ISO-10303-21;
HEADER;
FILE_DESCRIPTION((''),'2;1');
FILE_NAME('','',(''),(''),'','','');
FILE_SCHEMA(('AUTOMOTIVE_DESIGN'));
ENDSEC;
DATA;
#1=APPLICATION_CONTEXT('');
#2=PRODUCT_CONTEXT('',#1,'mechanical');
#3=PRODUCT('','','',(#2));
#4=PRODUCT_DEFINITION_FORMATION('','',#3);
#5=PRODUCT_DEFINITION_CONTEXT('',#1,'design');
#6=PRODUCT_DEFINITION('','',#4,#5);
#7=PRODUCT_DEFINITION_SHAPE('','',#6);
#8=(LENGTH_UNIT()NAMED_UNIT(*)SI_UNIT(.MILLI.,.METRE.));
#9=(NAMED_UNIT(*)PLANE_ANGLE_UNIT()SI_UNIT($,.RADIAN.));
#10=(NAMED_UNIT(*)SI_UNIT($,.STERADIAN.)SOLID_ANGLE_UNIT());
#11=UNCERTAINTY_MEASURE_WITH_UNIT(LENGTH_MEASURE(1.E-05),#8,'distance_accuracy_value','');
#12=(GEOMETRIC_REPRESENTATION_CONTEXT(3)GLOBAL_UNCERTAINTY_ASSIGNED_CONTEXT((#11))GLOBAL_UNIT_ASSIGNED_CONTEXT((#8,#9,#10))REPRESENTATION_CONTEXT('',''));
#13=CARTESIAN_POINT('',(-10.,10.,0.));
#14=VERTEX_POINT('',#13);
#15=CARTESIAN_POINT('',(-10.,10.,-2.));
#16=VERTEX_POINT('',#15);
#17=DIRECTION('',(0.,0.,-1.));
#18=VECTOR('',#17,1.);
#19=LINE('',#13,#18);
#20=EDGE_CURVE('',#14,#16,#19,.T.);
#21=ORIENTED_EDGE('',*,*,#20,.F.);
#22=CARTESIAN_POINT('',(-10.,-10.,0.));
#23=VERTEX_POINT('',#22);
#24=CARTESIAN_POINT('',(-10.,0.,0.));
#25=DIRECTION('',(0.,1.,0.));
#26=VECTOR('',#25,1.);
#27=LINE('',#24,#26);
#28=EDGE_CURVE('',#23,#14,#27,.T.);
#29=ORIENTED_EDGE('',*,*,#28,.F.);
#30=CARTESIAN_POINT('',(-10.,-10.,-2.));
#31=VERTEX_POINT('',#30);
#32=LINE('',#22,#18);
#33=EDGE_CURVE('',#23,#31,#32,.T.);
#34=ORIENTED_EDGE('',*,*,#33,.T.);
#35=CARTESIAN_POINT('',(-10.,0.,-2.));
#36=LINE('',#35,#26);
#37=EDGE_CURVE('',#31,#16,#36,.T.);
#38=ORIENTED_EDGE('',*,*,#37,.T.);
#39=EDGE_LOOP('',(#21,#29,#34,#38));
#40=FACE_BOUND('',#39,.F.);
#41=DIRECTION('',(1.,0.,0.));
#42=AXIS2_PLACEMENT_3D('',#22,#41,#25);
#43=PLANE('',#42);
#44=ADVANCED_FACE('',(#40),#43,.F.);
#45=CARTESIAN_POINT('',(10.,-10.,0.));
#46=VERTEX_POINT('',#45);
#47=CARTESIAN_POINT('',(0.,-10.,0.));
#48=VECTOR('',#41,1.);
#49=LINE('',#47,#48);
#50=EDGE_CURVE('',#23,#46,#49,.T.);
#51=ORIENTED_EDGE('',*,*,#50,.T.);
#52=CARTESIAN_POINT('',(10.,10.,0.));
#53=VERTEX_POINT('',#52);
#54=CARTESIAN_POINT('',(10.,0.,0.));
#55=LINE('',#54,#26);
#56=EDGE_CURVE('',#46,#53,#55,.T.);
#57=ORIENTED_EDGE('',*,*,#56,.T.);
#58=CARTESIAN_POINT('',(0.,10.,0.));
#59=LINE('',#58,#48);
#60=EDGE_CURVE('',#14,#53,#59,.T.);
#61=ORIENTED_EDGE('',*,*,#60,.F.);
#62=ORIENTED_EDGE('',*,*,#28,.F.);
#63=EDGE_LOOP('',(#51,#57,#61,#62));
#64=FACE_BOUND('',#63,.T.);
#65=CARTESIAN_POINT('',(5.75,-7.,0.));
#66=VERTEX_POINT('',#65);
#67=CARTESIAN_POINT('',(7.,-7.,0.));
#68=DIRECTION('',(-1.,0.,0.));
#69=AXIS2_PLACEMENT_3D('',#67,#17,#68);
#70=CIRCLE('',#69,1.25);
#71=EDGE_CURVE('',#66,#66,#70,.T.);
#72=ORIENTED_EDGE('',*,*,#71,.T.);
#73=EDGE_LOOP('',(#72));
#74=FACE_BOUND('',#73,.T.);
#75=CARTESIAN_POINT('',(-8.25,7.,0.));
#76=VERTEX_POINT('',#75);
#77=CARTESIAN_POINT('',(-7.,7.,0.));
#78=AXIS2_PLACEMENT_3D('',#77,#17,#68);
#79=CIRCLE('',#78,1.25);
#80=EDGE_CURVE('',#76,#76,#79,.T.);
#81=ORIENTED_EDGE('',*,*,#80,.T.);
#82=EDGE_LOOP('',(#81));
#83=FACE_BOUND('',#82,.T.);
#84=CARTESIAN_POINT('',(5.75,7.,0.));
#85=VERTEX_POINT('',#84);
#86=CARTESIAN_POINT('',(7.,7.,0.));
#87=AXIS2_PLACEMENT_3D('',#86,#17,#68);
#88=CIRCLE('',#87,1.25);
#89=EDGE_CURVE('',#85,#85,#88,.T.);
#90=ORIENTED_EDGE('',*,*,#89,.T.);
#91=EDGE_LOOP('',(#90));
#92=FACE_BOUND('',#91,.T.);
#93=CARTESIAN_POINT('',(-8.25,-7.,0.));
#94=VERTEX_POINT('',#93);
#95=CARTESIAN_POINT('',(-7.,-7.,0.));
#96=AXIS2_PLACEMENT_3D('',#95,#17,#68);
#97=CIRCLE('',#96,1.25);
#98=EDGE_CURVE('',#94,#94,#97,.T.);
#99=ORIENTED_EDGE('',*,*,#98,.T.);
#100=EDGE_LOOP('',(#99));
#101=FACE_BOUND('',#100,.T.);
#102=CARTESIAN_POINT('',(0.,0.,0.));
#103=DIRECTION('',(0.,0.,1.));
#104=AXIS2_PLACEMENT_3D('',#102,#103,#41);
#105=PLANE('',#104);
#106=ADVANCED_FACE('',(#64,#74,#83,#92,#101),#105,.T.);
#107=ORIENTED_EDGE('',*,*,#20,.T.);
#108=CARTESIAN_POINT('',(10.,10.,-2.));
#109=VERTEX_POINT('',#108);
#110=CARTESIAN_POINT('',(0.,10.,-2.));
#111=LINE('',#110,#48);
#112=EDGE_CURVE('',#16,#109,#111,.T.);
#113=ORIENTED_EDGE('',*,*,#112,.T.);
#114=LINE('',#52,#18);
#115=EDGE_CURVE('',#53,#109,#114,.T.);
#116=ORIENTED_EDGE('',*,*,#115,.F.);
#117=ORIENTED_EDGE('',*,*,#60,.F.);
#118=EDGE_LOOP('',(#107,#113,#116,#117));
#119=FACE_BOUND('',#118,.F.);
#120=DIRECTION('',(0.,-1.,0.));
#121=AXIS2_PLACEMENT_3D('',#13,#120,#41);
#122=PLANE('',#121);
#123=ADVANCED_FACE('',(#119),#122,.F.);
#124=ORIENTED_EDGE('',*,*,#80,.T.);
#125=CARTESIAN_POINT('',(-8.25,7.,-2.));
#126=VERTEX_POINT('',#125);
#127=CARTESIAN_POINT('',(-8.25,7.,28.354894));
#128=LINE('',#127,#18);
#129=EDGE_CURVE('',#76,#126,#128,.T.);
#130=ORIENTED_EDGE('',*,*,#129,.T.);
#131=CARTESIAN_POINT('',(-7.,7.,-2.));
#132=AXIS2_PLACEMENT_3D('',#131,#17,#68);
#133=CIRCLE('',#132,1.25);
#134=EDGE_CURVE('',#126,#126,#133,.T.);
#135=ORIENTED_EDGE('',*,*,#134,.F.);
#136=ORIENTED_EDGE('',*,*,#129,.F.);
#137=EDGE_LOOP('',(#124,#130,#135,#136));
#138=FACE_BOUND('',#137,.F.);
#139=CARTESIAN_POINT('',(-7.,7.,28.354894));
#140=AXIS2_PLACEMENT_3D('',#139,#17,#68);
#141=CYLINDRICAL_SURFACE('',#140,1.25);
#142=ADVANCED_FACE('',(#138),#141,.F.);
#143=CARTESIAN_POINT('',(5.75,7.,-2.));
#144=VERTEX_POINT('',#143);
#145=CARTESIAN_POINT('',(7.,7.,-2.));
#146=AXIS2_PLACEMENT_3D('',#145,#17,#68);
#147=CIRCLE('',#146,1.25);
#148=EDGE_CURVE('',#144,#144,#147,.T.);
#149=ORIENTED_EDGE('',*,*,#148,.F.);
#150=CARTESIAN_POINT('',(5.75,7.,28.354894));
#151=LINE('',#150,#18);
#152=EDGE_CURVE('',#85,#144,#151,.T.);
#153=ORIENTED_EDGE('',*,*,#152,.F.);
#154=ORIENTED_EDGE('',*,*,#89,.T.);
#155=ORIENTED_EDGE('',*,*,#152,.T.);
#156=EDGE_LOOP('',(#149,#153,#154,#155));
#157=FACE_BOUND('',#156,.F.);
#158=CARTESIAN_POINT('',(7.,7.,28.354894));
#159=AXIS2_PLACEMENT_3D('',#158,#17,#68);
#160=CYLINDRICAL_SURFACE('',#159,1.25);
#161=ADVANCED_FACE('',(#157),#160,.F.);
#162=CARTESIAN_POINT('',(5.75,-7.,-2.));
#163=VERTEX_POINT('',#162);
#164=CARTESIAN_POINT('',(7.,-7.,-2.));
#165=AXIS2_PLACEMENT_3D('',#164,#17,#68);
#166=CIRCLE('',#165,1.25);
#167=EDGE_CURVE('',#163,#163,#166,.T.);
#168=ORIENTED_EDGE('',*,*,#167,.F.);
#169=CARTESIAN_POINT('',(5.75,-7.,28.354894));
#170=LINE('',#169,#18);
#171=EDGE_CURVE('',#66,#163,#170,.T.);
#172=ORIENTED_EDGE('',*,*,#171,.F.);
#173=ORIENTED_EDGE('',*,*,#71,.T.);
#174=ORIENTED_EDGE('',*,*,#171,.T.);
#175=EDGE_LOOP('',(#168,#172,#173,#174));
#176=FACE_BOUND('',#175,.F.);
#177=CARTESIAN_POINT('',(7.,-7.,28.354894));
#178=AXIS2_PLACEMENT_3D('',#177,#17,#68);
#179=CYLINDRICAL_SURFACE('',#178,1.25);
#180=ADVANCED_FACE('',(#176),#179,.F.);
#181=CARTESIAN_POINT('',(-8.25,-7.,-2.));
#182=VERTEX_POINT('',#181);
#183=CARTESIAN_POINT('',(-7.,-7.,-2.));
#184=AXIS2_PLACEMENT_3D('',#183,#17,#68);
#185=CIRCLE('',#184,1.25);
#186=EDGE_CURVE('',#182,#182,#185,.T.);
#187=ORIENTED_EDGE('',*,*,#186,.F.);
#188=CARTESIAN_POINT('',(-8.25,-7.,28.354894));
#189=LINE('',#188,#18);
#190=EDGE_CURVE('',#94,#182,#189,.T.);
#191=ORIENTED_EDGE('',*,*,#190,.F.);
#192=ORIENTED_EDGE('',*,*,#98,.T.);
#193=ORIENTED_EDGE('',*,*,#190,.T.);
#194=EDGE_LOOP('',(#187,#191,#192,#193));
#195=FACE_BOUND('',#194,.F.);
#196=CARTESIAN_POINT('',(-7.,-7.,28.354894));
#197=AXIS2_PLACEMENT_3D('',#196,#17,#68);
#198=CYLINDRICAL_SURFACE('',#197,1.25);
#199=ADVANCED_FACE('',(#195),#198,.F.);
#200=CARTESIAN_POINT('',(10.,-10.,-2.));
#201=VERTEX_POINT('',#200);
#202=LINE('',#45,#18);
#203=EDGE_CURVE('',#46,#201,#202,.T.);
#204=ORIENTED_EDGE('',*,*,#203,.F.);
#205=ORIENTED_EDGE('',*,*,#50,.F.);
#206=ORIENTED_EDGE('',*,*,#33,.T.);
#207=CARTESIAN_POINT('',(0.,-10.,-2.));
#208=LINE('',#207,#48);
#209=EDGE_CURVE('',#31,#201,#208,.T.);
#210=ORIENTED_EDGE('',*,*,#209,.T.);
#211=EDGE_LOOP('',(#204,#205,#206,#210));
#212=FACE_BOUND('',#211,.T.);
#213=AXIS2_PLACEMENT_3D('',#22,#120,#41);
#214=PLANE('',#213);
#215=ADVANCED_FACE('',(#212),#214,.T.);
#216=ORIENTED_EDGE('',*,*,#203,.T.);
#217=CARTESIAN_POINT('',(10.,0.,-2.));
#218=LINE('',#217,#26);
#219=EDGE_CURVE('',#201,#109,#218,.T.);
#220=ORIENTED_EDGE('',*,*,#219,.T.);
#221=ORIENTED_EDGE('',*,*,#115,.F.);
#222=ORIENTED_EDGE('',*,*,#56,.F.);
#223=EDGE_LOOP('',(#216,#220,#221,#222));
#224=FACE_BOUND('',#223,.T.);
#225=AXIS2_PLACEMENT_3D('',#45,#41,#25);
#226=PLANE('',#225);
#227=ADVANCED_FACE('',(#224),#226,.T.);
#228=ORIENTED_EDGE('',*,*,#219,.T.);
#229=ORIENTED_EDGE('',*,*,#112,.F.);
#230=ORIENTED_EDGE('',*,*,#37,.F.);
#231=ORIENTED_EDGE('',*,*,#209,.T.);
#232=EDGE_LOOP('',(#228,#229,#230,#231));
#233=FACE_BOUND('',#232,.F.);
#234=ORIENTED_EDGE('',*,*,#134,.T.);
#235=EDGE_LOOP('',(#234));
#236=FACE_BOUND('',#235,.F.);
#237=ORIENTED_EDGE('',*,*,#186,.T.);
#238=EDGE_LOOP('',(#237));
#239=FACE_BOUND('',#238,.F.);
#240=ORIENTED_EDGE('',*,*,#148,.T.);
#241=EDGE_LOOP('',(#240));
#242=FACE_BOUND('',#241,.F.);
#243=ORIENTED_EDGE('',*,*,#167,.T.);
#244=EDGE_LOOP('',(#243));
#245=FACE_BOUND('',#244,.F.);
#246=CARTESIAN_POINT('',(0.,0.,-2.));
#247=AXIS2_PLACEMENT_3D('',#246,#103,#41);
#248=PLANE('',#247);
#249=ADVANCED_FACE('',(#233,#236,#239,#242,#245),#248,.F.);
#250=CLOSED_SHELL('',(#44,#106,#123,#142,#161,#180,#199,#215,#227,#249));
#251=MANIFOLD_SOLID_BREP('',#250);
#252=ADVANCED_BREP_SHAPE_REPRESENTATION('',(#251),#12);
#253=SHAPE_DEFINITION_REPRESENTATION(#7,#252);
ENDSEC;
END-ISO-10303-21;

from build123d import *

# Parameters (mm, degrees)
F0_W     = 20
F0_H     = 20
F1_DEPTH = 2
F3_D     = 2.5


with BuildPart() as f1:
    # F0 (on Top) → F1 (new body)
    with BuildSketch(Plane.XY):
        Rectangle(F0_W, F0_H)
    extrude(amount=-F1_DEPTH)

    # F3 (through all)
    with Locations(Plane.XY):
        with Locations((-7, 7), (7, 7), (-7, -7), (7, -7)):
            Hole(F3_D / 2)


solid = f1.part
